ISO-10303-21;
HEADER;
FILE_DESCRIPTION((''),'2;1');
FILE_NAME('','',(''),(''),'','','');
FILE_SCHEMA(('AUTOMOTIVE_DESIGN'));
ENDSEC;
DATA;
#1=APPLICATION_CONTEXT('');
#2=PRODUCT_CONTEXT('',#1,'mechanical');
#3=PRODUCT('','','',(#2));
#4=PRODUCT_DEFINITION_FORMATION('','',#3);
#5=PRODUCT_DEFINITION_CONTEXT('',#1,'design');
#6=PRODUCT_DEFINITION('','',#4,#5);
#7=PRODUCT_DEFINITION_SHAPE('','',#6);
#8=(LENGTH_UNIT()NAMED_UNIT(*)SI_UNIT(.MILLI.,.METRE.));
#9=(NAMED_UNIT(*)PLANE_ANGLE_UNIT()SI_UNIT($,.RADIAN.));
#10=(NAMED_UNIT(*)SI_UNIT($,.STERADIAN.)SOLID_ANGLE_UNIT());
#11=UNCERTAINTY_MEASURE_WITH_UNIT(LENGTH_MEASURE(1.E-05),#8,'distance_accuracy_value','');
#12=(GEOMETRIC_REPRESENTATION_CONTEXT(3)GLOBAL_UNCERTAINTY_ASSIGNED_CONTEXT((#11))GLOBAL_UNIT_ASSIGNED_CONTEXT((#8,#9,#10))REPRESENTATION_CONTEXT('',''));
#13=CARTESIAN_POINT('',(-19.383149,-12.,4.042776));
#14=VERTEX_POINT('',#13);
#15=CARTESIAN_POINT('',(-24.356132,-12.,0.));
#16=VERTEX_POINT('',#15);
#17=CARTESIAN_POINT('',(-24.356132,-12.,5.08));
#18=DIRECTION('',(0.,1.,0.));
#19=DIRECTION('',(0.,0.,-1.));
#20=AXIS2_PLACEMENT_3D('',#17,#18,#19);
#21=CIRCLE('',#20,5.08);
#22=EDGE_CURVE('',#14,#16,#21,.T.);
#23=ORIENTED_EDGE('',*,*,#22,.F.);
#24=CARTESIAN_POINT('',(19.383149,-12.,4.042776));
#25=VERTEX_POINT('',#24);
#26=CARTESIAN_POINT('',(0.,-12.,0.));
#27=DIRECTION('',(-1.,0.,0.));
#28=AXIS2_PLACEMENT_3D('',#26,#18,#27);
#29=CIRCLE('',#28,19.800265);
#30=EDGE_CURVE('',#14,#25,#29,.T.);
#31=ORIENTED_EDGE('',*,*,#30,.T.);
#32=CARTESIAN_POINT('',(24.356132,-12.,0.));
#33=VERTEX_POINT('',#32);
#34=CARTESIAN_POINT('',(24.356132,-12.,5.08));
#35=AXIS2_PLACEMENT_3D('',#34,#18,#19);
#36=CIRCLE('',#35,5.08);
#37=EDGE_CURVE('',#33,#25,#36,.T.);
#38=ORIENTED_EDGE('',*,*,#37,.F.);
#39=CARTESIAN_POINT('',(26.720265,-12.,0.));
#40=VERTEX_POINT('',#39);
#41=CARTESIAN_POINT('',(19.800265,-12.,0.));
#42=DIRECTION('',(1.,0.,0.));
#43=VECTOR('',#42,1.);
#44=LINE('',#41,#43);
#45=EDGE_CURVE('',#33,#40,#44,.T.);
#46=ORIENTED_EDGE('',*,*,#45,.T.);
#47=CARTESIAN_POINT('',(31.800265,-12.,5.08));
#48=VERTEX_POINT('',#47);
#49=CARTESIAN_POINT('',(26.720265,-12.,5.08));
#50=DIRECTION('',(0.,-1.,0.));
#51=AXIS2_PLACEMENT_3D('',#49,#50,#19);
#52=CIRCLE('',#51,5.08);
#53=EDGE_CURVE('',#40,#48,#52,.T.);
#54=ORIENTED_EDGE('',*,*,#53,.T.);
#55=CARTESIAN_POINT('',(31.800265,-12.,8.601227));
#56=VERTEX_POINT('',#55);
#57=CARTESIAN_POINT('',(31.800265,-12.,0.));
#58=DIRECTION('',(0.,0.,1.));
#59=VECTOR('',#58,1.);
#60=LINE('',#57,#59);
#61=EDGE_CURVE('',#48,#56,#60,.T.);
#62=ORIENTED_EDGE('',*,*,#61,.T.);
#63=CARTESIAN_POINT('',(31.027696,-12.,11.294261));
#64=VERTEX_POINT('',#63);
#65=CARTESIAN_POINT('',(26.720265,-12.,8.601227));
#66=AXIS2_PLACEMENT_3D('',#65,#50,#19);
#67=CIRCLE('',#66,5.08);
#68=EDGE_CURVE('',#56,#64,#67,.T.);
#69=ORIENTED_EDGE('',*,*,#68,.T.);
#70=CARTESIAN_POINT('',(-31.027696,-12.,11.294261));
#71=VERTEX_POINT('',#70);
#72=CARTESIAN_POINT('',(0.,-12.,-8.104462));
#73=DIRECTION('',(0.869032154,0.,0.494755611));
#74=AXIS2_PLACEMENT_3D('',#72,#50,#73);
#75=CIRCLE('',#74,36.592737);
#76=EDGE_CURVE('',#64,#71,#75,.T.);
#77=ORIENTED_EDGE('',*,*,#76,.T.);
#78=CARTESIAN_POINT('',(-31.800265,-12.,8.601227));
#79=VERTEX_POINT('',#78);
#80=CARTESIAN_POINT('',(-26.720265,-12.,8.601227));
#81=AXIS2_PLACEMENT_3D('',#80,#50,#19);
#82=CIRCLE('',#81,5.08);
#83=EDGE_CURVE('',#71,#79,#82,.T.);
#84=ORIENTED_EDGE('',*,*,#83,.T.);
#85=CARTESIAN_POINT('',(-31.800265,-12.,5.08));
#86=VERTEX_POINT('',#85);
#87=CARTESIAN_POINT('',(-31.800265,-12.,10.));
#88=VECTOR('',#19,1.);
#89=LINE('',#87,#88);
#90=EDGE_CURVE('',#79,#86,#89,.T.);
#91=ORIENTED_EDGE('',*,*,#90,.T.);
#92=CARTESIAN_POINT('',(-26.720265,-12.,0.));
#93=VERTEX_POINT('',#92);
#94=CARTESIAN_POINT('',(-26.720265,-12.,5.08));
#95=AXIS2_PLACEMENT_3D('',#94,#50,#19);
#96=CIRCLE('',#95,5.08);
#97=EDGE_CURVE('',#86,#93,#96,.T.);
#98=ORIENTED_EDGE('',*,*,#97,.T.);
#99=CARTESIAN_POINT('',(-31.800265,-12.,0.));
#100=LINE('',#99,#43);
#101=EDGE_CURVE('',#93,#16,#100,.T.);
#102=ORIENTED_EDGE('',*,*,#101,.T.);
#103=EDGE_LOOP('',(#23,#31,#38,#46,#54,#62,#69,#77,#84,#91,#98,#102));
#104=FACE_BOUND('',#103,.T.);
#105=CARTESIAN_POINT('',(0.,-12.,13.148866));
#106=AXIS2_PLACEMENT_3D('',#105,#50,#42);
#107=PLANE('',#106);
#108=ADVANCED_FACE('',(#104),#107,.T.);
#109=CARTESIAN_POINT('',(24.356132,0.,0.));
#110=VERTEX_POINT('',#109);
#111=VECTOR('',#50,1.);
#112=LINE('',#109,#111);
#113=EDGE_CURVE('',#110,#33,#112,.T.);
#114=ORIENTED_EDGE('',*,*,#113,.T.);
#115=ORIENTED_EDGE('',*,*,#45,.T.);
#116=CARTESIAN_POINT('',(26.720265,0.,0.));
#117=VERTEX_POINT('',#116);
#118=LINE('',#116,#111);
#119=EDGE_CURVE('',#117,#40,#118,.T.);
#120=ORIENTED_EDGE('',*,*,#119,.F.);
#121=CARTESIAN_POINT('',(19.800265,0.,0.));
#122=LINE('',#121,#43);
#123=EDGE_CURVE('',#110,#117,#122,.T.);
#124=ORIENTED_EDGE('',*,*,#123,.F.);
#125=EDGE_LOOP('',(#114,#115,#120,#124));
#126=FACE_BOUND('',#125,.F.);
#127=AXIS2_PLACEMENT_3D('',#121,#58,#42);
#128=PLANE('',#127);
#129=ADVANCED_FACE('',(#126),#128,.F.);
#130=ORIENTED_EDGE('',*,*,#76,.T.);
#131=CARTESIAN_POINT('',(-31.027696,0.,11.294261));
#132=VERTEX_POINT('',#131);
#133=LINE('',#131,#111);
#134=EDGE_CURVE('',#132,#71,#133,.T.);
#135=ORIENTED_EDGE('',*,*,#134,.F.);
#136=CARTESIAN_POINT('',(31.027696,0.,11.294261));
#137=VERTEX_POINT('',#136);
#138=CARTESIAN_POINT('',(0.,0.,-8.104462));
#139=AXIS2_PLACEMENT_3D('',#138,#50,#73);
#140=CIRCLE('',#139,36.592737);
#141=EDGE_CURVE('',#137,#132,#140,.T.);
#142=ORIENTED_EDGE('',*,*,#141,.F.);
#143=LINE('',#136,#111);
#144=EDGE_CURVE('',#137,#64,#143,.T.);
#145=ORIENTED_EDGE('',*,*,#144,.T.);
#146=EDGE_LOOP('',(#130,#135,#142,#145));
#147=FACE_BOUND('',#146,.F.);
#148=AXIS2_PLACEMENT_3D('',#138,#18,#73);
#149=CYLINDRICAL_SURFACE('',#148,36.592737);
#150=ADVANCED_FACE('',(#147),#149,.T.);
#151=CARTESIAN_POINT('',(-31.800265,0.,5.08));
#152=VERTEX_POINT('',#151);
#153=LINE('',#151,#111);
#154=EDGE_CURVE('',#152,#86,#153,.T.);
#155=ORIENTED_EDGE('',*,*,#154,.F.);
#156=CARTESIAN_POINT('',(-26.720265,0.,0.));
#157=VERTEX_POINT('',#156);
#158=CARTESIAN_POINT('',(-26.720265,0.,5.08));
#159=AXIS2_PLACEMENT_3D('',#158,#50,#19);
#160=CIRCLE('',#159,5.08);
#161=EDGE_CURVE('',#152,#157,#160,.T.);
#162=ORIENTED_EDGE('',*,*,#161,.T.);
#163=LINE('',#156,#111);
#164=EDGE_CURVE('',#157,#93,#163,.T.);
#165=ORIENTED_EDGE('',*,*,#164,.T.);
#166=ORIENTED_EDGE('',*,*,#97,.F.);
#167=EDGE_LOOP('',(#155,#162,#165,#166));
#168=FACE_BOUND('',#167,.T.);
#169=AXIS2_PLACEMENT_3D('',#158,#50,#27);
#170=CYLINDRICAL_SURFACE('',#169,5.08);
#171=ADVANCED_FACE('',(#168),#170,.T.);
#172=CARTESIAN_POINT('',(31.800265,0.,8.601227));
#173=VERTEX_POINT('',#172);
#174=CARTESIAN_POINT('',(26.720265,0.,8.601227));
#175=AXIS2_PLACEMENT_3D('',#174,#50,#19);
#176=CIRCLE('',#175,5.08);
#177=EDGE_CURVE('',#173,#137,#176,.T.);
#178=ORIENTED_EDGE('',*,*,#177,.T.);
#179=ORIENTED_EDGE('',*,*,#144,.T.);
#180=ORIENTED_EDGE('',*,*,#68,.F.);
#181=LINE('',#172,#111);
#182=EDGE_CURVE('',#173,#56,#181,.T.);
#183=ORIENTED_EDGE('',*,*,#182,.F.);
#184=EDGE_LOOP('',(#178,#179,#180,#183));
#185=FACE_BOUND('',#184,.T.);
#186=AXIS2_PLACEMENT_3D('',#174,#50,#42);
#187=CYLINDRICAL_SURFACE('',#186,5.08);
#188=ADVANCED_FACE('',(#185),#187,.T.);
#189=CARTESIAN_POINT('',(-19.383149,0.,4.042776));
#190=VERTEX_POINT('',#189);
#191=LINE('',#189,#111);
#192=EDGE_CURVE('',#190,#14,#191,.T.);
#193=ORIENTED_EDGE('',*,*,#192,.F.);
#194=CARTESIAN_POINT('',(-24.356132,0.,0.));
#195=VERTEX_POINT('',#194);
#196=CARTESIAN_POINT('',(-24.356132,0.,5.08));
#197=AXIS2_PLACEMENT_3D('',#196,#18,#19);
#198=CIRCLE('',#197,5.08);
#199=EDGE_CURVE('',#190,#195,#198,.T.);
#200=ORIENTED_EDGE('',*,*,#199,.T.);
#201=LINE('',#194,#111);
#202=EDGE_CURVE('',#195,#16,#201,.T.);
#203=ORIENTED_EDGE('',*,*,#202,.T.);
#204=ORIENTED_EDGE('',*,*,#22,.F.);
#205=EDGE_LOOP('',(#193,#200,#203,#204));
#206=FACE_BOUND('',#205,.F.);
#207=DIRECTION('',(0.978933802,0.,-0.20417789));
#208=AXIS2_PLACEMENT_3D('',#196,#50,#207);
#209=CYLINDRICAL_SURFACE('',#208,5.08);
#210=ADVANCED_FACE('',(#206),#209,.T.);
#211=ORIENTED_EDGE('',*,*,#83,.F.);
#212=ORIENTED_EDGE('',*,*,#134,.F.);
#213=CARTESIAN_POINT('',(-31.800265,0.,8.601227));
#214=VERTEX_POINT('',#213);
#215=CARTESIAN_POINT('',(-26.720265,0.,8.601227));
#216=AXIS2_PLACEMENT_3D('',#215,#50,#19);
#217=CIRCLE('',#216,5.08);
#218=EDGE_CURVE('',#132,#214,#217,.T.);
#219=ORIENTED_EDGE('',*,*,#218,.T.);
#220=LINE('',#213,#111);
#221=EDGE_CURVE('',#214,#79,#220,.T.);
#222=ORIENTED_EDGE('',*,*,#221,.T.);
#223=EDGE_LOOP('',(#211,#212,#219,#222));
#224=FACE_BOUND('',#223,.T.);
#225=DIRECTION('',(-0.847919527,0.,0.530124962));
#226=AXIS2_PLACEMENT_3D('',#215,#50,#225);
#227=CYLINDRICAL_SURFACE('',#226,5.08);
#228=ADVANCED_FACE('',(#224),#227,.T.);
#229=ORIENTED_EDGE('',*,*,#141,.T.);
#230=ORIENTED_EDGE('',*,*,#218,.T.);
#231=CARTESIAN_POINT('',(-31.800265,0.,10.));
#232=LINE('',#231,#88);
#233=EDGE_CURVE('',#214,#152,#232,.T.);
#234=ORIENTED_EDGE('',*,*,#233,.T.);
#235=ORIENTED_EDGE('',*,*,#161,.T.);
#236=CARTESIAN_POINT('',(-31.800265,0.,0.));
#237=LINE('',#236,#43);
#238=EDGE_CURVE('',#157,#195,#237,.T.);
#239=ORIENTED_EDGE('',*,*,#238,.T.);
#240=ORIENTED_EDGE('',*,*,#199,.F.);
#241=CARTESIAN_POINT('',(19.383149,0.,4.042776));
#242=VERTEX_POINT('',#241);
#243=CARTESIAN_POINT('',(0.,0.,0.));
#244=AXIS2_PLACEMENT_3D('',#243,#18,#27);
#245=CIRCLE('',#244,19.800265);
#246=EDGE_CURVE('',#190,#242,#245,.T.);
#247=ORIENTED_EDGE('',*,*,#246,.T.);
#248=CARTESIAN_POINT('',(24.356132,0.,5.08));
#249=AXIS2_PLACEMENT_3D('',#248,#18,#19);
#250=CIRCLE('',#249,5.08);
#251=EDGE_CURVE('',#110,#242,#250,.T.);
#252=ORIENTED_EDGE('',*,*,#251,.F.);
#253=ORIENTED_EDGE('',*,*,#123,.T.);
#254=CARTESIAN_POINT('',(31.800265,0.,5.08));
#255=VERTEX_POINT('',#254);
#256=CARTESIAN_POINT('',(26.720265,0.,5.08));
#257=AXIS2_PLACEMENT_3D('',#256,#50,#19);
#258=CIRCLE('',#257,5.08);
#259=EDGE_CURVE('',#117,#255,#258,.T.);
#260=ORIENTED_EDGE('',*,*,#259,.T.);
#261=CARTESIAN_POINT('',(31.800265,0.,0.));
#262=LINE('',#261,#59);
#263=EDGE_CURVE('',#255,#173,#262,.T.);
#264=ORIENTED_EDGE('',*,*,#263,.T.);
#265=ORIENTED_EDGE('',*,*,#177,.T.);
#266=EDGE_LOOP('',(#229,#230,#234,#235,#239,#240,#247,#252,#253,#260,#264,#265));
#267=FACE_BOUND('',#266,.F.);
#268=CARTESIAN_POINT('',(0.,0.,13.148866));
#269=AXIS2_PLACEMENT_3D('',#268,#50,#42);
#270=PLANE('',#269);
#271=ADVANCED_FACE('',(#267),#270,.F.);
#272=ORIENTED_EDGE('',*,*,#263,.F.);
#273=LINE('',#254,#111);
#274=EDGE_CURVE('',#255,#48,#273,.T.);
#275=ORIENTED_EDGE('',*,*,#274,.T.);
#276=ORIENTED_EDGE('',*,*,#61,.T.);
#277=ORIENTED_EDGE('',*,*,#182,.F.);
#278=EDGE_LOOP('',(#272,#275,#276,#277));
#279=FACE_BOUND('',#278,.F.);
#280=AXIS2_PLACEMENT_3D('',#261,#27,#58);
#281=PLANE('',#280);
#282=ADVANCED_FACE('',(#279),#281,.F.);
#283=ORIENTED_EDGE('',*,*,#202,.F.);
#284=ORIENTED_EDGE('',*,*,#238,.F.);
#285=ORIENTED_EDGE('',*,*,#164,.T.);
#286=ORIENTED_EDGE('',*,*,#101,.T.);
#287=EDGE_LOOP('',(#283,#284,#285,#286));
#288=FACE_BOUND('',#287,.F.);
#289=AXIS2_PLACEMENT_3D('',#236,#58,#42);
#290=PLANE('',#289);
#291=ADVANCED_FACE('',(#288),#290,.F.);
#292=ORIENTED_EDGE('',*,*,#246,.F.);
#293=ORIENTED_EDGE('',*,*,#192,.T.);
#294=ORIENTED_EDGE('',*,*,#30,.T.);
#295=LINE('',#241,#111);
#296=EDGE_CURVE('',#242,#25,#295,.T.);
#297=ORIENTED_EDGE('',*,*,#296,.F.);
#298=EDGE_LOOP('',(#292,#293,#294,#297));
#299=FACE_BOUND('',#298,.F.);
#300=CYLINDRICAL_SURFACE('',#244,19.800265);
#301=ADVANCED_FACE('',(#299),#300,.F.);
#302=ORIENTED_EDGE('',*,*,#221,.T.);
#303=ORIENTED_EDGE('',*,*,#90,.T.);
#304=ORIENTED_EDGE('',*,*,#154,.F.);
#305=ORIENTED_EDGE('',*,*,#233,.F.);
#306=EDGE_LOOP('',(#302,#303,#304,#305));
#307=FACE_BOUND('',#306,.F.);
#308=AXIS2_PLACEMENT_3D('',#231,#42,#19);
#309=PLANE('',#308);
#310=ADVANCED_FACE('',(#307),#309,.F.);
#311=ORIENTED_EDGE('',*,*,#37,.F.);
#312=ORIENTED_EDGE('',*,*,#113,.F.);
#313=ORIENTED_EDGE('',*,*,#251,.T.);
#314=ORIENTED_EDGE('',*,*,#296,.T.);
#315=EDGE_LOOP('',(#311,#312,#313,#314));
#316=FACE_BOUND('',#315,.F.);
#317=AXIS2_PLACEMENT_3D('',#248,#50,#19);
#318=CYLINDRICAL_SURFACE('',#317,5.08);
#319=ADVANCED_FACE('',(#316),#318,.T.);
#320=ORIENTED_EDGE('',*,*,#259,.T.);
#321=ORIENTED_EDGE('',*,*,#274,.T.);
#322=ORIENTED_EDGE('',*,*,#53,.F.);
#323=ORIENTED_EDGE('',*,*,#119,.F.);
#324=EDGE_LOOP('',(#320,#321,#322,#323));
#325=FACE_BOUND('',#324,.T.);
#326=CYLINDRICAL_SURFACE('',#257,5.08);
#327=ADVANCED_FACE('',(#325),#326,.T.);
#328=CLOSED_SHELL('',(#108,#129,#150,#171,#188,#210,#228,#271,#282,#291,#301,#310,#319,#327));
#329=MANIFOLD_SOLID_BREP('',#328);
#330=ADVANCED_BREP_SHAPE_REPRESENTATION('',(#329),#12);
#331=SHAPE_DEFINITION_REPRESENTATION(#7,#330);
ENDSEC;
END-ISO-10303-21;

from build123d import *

# Parameters (mm, degrees)
F1_DEPTH = 12
F2_R     = 5.08
F3_R     = 5.08


with BuildPart() as f1:
    # F0 (on Front) → F1 (new body)
    with BuildSketch(Plane.XZ):
        with BuildLine():
            ThreePointArc((-19.800265, 0), (0, 19.800265), (19.800265, 0))
            Line((19.800265, 0), (31.800265, 0))
            Line((31.800265, 0), (31.800265, 10))
            ThreePointArc((31.800265, 10), (0, 28.488275), (-31.800265, 10))
            Line((-31.800265, 10), (-31.800265, 0))
            Line((-31.800265, 0), (-19.800265, 0))
        make_face()
    extrude(amount=F1_DEPTH)

    # F2
    f2_edges = [f1.edges().sort_by_distance(p)[0] for p in [
        (31.800265, -6, 10),
        (31.800265, -6, 0),
        (-31.800265, -6, 10),
        (-31.800265, -6, 0),
    ]]
    fillet(f2_edges, radius=F2_R)

    # F3
    f3_edges = [f1.edges().sort_by_distance(p)[0] for p in [
        (19.800265, -6, 0),
        (-19.800265, -6, 0),
    ]]
    fillet(f3_edges, radius=F3_R)


solid = f1.part
